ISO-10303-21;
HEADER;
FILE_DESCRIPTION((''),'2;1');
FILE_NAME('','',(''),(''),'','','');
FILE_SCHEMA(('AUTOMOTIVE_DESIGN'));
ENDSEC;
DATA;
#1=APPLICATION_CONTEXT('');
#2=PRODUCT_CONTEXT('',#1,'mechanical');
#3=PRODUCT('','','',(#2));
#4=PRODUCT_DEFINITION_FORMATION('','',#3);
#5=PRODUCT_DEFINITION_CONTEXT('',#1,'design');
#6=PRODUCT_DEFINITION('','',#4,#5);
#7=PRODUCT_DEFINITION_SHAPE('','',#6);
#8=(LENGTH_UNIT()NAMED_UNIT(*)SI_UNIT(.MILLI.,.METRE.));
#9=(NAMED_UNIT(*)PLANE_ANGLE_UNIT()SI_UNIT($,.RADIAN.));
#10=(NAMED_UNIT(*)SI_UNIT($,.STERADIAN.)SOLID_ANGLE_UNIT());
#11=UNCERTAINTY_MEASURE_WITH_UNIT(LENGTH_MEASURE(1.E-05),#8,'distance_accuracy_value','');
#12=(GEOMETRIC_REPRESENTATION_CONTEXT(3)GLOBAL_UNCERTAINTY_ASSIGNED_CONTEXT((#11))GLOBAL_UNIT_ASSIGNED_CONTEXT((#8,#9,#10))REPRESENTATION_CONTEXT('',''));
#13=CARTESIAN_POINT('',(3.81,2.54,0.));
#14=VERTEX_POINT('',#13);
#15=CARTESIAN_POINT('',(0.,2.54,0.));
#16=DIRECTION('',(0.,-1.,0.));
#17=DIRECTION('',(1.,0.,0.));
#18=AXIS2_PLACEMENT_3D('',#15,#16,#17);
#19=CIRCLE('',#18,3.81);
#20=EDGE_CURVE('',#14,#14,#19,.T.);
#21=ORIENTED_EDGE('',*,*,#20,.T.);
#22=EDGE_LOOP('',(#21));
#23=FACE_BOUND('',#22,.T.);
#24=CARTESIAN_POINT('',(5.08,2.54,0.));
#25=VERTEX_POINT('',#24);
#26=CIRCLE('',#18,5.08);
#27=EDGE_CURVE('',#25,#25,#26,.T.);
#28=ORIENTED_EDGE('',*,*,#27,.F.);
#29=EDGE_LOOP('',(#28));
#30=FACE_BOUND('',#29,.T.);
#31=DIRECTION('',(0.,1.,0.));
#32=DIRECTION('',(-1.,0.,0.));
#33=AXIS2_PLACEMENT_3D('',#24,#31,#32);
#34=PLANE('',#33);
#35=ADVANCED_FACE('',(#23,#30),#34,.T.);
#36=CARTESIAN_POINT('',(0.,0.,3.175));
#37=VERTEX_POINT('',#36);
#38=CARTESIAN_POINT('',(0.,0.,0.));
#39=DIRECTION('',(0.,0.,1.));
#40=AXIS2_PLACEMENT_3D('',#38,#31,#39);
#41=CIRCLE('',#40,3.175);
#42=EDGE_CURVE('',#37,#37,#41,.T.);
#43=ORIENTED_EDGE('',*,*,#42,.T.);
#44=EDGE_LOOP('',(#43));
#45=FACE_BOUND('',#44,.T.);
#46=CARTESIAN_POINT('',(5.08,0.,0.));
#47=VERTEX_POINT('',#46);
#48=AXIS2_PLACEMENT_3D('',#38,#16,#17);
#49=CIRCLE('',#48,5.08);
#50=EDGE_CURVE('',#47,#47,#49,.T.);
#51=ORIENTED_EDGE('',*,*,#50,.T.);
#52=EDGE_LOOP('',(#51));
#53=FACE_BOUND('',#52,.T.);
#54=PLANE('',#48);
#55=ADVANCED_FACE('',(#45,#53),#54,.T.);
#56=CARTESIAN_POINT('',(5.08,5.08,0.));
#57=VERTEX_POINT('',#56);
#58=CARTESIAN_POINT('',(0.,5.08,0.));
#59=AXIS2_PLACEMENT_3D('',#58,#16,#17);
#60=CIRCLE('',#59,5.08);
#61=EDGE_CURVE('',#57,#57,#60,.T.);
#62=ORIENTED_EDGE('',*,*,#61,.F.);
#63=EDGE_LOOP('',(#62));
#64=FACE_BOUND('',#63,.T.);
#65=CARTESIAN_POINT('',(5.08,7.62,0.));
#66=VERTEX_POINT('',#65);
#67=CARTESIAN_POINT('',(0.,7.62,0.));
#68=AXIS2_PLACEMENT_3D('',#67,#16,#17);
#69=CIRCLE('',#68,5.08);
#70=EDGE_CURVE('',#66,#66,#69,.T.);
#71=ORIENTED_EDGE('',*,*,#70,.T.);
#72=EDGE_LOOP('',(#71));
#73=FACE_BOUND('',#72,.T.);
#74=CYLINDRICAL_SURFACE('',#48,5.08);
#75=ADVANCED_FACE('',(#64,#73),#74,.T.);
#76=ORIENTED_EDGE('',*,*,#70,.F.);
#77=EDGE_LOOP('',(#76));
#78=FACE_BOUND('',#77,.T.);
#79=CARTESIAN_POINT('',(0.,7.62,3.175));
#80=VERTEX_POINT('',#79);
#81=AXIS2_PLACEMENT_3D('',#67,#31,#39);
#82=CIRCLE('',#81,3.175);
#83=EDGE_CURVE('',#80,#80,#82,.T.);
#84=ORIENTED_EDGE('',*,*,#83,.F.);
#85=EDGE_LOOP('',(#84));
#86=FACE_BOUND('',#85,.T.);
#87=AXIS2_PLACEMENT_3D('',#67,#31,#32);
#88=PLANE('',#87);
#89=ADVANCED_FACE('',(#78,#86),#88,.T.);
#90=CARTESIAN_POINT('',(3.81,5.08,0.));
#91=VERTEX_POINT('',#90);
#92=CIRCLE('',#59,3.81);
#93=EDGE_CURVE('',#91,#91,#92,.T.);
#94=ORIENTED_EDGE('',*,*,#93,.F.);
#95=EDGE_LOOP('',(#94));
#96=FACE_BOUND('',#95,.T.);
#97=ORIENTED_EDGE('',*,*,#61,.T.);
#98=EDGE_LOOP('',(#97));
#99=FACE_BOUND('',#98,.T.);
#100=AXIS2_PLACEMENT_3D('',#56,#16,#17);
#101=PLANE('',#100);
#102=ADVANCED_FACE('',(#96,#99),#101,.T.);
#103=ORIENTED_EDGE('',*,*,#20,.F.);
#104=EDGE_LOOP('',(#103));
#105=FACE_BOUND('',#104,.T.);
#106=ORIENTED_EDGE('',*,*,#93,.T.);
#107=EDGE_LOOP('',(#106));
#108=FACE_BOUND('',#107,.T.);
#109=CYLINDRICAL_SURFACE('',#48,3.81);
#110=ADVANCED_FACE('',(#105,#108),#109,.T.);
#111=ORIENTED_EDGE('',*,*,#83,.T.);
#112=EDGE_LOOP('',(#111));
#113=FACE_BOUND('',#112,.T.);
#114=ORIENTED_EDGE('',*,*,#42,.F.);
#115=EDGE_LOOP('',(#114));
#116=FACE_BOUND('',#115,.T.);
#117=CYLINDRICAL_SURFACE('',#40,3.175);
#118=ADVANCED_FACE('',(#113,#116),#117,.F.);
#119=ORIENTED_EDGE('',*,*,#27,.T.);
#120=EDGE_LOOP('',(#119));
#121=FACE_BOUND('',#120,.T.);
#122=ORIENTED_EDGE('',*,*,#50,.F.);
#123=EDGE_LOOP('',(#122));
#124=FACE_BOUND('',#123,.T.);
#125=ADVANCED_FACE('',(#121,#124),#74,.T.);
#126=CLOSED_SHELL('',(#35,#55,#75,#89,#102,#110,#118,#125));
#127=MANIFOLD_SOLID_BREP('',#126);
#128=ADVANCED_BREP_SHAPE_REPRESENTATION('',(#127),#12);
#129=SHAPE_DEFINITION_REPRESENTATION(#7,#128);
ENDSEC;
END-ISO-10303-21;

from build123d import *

# Parameters (mm, degrees)
SKETCH2_R          = 3.175
CUT_EXTRUDE1_DEPTH = 11.472688289


with BuildPart() as part:
    # Sketch1 → Revolve1 (revolve)
    with BuildSketch(Plane.XY):
        Polygon((0, 0), (5.08, 0), (5.08, 2.54), (3.81, 2.54), (3.81, 5.08), (5.08, 5.08), (5.08, 7.62), (0, 7.62), align=None)
    revolve(axis=Axis((0, 0, 0), (0, 1, 0)))

    # Sketch2 → Cut-Extrude1 (cut, through all)
    with BuildSketch(Plane(origin=(0, 7.62, 0), x_dir=(1, 0, 0), z_dir=(0, 1, 0))):
        with Locations(Location((0, 0, 0), (0, 0, 270))):
            Circle(SKETCH2_R)
    extrude(amount=-CUT_EXTRUDE1_DEPTH, mode=Mode.SUBTRACT)


solid = part.part
